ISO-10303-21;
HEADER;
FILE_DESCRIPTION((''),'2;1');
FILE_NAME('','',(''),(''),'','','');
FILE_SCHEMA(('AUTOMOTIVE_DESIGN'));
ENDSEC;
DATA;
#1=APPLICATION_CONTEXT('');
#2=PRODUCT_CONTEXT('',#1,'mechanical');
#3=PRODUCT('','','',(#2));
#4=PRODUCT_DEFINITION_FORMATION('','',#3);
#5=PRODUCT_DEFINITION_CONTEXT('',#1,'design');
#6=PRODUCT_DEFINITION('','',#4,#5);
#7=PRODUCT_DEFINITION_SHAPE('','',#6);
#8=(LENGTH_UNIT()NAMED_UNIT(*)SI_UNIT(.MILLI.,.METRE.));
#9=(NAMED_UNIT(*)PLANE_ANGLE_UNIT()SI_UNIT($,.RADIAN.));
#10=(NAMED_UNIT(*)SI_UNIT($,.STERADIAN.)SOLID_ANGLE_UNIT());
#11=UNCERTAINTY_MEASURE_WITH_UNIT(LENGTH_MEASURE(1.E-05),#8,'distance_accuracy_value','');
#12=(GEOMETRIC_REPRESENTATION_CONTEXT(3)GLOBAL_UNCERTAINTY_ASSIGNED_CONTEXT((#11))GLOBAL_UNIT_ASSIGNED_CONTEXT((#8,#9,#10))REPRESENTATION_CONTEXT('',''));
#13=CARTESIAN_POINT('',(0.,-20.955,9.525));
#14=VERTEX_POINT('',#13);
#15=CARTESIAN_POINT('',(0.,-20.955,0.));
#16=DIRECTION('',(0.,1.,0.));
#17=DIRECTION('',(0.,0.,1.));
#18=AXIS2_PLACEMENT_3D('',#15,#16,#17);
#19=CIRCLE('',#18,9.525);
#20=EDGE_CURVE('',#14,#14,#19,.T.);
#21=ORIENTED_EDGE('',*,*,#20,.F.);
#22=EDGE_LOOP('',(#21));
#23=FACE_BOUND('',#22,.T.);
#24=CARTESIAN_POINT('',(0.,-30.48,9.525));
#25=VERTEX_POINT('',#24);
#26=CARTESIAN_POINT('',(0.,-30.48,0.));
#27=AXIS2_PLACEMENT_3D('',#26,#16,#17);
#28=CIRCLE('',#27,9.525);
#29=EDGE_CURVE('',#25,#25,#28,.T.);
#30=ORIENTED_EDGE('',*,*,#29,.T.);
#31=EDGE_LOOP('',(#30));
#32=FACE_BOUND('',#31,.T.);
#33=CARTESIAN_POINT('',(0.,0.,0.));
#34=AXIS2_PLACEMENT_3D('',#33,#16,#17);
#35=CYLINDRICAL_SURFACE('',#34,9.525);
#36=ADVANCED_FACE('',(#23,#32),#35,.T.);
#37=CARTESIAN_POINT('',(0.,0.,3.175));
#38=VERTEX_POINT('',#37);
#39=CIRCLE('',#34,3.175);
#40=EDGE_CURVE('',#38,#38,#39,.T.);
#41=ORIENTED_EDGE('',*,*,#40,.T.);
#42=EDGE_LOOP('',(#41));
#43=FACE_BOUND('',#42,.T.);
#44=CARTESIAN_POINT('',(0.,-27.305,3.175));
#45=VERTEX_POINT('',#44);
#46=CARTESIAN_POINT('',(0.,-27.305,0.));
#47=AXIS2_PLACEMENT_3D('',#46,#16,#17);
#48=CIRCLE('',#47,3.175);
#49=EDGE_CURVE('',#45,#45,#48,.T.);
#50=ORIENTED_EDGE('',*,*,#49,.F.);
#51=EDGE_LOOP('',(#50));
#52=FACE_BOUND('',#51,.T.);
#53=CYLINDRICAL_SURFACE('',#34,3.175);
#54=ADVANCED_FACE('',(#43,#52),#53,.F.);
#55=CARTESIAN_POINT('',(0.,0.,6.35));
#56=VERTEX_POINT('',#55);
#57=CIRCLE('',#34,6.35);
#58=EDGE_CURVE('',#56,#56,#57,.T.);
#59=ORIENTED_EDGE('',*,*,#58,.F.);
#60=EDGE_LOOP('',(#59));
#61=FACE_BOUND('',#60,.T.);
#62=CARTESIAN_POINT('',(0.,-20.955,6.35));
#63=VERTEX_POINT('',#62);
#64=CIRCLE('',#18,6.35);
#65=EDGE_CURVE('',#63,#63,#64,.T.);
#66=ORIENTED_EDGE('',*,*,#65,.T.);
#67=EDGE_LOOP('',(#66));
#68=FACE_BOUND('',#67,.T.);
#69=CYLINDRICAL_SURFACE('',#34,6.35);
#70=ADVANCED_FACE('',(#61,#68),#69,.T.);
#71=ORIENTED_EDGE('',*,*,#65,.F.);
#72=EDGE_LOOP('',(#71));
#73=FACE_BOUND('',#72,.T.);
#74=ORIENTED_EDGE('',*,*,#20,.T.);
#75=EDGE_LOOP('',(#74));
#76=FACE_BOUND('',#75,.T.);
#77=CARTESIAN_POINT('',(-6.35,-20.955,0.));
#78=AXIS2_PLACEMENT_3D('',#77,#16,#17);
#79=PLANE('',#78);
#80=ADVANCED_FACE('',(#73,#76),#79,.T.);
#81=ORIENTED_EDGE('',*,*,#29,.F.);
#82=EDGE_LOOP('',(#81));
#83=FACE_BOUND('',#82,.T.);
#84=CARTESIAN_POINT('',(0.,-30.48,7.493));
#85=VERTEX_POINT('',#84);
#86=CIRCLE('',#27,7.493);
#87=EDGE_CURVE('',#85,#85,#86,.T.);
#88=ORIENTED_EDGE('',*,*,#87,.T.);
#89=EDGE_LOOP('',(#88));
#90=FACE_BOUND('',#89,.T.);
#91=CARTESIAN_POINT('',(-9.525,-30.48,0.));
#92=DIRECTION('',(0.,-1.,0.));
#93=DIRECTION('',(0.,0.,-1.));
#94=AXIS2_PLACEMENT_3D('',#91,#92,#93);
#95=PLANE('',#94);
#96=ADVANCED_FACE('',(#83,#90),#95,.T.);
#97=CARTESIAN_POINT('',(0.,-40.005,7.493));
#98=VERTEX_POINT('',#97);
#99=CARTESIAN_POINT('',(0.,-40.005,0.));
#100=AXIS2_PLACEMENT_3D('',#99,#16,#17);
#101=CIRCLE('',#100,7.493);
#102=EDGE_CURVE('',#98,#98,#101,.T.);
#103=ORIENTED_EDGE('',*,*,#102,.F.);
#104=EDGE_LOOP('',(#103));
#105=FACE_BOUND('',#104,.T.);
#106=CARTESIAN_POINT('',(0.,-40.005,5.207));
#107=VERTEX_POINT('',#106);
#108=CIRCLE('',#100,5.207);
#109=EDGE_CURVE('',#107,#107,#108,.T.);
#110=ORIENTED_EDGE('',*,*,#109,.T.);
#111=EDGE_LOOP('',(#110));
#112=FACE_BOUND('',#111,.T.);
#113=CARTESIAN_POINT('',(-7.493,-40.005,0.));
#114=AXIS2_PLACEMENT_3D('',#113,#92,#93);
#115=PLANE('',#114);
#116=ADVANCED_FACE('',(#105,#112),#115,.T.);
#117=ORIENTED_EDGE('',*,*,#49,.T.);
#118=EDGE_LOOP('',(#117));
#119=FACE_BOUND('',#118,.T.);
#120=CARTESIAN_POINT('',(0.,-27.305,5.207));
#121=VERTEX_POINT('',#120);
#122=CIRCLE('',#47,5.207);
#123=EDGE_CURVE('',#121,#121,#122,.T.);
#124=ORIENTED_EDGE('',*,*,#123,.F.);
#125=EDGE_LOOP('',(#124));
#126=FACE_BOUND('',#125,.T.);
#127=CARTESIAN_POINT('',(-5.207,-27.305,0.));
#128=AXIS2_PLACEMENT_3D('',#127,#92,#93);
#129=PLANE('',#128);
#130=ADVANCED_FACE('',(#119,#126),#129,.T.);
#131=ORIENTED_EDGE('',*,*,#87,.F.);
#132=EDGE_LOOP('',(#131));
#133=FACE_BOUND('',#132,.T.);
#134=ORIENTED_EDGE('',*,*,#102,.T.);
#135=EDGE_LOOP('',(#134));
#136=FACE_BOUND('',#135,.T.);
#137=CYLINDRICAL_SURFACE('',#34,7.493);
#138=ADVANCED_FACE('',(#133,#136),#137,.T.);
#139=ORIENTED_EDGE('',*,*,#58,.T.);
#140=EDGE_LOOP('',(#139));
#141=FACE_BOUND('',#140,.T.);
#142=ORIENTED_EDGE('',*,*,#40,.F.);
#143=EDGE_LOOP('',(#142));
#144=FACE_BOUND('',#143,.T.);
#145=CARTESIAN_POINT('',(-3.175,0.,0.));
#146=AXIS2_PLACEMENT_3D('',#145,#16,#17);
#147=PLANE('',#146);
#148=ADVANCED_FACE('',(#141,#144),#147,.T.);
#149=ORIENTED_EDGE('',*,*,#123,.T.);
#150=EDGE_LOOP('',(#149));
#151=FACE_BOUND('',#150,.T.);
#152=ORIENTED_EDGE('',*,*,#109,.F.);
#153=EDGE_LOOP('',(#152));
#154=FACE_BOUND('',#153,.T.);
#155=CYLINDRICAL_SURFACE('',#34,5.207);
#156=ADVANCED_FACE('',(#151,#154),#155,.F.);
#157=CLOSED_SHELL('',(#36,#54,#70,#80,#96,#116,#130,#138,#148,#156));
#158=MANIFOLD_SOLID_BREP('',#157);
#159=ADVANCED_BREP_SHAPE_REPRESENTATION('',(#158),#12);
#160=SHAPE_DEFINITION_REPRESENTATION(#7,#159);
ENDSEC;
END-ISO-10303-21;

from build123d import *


with BuildPart() as part:
    # Sketch1 → Revolve1 (revolve)
    with BuildSketch(Plane.XY):
        Polygon((-3.175, 0), (-6.35, 0), (-6.35, -20.955), (-9.525, -20.955), (-9.525, -30.48), (-7.493, -30.48), (-7.493, -40.005), (-5.207, -40.005), (-5.207, -27.305), (-3.175, -27.305), align=None)
    revolve(axis=Axis((0, 0, 0), (0, -1, 0)))


solid = part.part
